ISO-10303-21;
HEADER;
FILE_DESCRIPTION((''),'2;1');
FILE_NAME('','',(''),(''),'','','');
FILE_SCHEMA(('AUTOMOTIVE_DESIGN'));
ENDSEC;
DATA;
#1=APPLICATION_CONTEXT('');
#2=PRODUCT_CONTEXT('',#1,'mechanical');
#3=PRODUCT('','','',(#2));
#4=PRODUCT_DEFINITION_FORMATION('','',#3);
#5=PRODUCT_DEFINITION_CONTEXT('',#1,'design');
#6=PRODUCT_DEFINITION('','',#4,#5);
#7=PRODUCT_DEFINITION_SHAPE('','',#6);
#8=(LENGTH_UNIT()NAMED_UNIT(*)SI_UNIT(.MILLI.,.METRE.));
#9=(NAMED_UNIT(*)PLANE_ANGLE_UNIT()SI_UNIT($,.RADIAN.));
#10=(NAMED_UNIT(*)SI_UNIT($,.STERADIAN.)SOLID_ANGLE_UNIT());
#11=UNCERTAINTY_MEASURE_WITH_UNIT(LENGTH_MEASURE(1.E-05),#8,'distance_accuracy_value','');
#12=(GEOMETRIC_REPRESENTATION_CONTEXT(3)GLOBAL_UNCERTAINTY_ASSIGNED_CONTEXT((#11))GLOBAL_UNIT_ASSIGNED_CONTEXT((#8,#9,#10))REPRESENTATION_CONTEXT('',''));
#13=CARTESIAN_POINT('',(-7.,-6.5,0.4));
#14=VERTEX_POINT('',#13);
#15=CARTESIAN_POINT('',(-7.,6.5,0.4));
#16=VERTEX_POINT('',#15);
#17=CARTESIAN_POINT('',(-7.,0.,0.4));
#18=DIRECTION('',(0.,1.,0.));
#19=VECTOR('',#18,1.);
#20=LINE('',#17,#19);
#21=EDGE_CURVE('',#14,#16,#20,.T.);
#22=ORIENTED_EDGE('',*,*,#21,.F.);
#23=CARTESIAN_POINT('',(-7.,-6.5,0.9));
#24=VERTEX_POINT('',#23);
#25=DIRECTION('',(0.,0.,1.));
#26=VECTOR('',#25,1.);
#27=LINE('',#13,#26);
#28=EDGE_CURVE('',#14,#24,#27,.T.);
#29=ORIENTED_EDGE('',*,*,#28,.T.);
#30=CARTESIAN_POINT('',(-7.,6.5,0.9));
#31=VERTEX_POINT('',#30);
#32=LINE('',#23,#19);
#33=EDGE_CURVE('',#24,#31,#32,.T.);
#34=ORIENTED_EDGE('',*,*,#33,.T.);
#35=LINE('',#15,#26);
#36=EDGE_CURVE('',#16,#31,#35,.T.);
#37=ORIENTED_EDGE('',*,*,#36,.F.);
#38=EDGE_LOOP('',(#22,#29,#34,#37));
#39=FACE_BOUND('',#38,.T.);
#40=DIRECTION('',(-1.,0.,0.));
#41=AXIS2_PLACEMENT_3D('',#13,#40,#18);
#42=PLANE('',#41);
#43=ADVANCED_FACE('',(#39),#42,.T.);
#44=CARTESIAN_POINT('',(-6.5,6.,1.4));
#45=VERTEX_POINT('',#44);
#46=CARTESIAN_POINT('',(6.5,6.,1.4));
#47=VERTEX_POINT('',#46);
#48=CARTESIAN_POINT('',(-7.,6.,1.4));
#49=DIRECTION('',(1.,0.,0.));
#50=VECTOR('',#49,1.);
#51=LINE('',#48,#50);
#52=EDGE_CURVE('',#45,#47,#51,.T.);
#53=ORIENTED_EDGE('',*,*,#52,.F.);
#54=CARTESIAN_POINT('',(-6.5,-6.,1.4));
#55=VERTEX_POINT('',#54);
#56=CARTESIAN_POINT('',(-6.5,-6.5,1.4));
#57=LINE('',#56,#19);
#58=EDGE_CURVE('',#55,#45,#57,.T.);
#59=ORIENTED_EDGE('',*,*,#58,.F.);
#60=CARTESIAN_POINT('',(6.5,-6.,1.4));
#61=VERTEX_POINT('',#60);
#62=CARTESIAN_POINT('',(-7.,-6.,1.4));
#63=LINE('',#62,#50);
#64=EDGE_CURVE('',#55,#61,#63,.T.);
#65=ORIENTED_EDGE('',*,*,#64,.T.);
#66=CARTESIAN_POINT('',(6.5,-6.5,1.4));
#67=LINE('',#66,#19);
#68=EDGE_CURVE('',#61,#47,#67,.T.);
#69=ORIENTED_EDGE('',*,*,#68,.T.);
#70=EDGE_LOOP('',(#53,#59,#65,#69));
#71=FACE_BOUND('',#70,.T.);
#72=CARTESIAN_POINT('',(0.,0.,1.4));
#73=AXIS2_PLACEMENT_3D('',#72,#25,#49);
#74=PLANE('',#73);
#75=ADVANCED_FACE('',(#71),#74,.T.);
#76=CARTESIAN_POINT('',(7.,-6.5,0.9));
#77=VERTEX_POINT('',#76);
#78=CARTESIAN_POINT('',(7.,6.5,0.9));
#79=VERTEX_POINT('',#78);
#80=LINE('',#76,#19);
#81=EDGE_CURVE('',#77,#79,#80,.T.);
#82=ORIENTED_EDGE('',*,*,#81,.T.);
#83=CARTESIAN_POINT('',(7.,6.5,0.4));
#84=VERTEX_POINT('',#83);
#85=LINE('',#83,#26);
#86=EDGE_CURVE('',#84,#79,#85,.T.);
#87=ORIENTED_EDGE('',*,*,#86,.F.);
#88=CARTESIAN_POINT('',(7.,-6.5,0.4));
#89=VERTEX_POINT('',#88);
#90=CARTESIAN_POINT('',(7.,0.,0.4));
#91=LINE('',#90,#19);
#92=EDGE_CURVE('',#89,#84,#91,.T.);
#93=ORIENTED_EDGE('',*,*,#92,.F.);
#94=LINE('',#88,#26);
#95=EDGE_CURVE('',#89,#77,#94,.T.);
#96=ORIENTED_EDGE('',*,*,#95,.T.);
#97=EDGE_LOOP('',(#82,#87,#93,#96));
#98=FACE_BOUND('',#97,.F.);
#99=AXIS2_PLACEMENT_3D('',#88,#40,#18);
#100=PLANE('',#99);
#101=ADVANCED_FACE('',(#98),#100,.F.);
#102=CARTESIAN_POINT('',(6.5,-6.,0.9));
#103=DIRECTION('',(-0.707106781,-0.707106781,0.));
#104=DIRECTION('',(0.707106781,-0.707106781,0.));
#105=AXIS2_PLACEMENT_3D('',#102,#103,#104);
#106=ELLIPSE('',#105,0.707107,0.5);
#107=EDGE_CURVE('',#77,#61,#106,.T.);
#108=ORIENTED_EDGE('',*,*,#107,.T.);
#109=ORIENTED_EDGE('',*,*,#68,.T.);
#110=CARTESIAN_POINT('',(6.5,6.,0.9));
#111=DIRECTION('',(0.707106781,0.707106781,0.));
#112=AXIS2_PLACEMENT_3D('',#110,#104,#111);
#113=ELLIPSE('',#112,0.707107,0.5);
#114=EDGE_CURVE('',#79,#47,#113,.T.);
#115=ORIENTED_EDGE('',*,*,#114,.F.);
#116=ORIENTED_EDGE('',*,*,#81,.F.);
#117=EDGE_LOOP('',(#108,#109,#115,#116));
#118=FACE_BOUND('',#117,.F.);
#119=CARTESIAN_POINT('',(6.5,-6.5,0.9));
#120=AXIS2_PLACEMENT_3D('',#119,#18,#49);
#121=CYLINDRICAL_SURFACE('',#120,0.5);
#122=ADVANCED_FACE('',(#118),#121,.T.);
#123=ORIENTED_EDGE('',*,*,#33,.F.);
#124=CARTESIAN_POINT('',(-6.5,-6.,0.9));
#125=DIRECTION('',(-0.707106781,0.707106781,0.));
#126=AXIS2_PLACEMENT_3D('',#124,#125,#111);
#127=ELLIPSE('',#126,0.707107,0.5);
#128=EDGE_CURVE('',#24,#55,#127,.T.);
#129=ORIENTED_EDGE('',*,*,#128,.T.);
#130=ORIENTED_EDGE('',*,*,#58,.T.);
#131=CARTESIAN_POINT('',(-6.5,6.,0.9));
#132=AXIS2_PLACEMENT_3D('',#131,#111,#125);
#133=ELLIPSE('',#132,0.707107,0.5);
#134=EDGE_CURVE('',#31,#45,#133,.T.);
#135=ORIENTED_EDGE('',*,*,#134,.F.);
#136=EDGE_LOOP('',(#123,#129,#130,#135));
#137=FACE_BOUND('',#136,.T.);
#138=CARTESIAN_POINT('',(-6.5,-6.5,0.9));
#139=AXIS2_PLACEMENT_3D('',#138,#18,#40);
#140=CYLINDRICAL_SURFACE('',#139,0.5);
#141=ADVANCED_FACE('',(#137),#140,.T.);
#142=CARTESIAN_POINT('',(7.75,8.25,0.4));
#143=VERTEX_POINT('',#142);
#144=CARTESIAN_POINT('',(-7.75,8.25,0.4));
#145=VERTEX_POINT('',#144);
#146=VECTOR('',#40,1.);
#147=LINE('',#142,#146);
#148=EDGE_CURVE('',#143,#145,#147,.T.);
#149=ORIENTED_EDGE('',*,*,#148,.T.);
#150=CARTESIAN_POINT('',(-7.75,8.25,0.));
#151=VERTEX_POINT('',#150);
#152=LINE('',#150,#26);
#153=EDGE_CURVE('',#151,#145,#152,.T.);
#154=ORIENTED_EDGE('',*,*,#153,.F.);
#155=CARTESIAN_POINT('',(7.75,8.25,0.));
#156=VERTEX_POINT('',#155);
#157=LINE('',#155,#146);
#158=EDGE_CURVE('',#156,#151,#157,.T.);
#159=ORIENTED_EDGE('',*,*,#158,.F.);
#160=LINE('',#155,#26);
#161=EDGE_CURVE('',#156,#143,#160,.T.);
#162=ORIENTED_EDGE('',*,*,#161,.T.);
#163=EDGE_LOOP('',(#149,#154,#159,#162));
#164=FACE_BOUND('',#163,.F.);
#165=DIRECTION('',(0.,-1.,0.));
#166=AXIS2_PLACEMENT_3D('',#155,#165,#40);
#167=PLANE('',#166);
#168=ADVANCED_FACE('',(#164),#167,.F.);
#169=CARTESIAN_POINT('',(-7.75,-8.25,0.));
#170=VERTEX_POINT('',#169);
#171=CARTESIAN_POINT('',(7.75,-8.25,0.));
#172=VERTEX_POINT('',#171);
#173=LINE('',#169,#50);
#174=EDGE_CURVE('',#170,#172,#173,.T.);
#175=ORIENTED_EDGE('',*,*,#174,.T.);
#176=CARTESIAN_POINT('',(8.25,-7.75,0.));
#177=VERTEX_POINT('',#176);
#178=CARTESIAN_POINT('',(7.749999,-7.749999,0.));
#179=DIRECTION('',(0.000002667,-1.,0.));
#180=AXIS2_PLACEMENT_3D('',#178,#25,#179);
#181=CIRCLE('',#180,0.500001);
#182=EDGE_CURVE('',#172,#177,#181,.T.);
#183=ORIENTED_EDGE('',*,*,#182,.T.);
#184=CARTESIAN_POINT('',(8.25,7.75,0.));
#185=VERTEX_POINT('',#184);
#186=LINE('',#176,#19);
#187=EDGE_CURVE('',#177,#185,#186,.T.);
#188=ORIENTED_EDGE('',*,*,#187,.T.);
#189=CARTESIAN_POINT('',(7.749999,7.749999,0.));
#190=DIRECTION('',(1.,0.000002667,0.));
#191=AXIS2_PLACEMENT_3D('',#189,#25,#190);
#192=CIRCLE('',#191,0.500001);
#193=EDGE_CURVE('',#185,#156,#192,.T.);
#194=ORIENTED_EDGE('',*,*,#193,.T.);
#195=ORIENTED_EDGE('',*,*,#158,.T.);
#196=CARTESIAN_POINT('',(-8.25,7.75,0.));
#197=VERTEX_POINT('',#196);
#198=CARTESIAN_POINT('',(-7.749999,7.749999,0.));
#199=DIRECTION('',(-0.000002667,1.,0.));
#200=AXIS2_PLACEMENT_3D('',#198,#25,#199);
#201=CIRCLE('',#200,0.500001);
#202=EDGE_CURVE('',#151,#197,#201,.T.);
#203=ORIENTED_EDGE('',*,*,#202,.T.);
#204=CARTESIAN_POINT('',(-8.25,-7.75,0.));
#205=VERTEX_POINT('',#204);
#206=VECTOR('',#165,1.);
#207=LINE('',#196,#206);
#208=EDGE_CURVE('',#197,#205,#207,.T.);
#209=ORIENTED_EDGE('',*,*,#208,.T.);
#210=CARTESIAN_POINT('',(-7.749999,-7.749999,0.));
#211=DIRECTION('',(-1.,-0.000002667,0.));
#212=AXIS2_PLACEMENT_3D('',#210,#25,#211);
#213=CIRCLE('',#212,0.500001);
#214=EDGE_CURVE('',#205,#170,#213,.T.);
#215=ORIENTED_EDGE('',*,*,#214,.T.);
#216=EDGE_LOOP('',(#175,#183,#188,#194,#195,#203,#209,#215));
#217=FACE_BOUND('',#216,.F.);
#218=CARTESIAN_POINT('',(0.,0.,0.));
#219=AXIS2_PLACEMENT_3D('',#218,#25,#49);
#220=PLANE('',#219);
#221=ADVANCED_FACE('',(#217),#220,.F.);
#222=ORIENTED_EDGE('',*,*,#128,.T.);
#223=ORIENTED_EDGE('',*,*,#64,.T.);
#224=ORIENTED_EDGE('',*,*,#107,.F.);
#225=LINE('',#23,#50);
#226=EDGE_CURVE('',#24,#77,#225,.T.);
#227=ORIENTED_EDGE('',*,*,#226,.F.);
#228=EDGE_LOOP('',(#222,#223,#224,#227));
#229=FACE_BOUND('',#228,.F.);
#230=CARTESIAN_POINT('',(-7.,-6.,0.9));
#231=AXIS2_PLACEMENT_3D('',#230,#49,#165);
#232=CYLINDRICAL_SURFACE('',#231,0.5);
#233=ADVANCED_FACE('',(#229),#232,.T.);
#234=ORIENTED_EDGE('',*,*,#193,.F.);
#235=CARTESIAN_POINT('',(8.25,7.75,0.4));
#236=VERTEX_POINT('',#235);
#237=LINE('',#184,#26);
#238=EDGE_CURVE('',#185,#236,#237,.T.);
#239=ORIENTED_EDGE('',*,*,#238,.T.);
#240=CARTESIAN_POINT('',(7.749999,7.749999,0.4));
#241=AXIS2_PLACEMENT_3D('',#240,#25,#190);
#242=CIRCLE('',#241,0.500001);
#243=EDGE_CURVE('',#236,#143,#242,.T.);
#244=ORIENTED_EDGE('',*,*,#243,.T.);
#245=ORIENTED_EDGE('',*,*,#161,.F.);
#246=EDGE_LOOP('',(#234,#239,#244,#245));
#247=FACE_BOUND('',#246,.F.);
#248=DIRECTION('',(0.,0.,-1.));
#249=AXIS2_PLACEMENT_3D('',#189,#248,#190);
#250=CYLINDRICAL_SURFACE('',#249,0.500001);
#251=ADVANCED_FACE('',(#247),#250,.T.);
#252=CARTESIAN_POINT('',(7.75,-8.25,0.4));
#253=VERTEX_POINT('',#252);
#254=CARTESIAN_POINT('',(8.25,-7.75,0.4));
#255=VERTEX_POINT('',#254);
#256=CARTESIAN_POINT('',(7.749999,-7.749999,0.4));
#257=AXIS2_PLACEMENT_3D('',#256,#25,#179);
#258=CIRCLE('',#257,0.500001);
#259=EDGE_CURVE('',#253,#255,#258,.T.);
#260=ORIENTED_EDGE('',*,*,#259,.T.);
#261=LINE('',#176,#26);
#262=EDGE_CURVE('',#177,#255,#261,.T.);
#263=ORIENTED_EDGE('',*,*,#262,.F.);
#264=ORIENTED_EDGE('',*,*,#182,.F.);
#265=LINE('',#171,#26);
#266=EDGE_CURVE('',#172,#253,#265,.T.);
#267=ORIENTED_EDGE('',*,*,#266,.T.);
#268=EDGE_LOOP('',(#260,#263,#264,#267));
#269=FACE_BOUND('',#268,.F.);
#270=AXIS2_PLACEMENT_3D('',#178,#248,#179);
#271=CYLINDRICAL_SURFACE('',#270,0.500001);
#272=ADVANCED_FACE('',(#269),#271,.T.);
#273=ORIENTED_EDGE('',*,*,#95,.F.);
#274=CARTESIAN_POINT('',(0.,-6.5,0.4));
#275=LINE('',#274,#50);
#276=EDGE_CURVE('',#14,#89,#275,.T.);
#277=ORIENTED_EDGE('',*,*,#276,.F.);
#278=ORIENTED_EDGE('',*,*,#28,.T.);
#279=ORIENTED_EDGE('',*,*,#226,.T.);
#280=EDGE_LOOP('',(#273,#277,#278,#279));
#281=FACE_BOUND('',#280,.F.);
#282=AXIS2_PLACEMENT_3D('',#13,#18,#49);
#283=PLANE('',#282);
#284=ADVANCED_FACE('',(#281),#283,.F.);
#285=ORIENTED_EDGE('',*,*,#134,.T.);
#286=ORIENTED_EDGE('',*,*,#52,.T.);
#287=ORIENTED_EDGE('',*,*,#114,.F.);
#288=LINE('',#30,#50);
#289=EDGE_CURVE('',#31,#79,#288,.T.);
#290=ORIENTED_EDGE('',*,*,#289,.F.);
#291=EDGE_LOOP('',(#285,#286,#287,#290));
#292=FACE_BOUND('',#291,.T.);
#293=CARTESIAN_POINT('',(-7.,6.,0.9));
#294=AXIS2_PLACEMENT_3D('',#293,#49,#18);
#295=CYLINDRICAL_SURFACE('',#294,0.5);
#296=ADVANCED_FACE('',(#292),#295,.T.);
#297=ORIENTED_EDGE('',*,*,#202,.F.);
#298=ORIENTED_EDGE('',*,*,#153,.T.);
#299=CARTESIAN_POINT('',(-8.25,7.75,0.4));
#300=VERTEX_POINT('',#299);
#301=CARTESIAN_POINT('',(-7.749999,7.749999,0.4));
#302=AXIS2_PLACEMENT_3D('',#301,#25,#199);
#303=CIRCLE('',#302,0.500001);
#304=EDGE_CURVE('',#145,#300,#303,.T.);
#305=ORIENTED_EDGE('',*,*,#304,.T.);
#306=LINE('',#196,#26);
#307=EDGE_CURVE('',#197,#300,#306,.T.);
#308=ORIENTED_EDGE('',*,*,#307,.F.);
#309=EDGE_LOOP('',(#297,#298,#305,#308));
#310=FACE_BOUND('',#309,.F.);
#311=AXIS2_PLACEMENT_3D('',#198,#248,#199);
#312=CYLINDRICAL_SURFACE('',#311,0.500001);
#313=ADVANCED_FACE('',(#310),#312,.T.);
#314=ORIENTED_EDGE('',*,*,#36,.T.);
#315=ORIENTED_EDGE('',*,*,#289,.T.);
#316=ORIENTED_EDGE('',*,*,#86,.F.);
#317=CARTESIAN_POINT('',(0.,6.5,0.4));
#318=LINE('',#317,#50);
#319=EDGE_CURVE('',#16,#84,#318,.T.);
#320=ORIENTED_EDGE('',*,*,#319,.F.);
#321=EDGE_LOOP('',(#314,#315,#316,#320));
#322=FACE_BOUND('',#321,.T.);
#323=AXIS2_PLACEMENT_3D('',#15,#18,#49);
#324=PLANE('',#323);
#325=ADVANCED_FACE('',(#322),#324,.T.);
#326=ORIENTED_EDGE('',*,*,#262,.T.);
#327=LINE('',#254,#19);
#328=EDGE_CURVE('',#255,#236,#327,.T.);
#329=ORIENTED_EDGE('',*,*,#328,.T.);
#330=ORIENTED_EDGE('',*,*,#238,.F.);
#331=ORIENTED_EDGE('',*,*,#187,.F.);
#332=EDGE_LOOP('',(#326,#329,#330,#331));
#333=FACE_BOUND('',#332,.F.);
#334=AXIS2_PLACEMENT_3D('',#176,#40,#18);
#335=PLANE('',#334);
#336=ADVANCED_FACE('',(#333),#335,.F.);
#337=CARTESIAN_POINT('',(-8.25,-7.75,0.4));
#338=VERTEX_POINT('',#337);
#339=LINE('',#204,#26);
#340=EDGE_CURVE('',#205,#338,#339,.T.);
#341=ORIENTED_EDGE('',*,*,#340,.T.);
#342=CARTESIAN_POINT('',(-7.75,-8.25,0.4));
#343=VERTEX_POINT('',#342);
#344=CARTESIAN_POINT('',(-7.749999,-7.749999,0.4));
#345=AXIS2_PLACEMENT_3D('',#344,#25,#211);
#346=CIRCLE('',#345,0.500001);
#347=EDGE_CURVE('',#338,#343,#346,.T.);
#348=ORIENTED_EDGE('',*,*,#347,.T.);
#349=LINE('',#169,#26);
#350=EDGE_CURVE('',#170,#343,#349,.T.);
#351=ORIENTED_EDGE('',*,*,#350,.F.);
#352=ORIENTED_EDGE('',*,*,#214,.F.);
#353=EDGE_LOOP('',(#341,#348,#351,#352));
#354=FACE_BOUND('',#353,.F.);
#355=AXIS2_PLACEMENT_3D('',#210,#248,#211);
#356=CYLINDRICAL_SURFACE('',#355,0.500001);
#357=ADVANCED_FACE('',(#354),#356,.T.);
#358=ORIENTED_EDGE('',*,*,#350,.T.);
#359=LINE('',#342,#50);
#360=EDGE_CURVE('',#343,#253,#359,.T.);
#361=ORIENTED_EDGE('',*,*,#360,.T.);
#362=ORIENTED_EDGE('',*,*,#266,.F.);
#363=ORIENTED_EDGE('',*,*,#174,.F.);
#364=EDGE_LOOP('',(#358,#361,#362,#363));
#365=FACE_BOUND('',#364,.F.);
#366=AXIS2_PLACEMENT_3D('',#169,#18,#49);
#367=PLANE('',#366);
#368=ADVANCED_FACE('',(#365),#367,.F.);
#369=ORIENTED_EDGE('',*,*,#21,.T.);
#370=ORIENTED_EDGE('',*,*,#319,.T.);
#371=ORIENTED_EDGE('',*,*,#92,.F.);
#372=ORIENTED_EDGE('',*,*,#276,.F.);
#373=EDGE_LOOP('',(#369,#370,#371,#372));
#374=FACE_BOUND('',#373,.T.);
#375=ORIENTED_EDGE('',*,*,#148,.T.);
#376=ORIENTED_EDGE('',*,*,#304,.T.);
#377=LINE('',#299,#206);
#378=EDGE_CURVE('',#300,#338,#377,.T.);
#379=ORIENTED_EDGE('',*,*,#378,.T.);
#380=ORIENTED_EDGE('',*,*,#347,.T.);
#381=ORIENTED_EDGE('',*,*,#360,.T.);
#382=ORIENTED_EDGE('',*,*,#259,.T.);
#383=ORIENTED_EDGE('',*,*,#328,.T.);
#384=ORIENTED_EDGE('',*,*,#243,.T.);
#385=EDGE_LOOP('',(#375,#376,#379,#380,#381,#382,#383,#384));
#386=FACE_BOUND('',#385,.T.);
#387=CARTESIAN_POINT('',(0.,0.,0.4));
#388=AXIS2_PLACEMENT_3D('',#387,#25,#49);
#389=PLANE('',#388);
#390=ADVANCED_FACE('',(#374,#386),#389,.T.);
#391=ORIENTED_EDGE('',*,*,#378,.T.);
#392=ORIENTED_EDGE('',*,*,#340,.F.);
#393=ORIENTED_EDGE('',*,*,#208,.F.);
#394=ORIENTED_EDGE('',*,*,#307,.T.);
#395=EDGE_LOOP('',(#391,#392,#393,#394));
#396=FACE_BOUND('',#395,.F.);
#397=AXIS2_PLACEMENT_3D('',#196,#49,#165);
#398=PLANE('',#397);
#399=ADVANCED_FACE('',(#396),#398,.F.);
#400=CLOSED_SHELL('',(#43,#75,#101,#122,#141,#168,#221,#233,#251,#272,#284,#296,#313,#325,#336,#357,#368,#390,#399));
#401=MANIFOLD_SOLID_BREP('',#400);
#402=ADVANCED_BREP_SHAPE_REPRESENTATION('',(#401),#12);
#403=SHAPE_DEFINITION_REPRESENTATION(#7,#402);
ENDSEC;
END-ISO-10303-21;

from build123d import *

# Parameters (mm, degrees)
PAD002_DEPTH = 0.4
SKETCH005_W  = 14
SKETCH005_H  = 13
PAD003_DEPTH = 1
FILLET_R     = 0.5


with BuildPart() as part:
    # Sketch004 → Pad002 (new body)
    with BuildSketch(Plane.XY):
        with BuildLine():
            Line((-8.25, 7.75), (-8.25, -7.75))
            ThreePointArc((-8.25, -7.75), (-8.103553, -8.103553), (-7.75, -8.25))
            Line((-7.75, -8.25), (7.75, -8.25))
            ThreePointArc((7.75, -8.25), (8.103553, -8.103553), (8.25, -7.75))
            Line((8.25, -7.75), (8.25, 7.75))
            ThreePointArc((8.25, 7.75), (8.103553, 8.103553), (7.75, 8.25))
            Line((7.75, 8.25), (-7.75, 8.25))
            ThreePointArc((-7.75, 8.25), (-8.103553, 8.103553), (-8.25, 7.75))
        make_face()
    extrude(amount=PAD002_DEPTH)

    # Sketch005 (on Face10 of Pad002) → Pad003 (join)
    with BuildSketch(Plane.XY.offset(0.4)):
        Rectangle(SKETCH005_W, SKETCH005_H)
    extrude(amount=PAD003_DEPTH)

    # Fillet
    fillet_edges = [part.edges().sort_by_distance(p)[0] for p in [
        (-7, 0, 1.4),
        (0, -6.5, 1.4),
        (7, 0, 1.4),
        (0, 6.5, 1.4),
    ]]
    fillet(fillet_edges, radius=FILLET_R)


solid = part.part
